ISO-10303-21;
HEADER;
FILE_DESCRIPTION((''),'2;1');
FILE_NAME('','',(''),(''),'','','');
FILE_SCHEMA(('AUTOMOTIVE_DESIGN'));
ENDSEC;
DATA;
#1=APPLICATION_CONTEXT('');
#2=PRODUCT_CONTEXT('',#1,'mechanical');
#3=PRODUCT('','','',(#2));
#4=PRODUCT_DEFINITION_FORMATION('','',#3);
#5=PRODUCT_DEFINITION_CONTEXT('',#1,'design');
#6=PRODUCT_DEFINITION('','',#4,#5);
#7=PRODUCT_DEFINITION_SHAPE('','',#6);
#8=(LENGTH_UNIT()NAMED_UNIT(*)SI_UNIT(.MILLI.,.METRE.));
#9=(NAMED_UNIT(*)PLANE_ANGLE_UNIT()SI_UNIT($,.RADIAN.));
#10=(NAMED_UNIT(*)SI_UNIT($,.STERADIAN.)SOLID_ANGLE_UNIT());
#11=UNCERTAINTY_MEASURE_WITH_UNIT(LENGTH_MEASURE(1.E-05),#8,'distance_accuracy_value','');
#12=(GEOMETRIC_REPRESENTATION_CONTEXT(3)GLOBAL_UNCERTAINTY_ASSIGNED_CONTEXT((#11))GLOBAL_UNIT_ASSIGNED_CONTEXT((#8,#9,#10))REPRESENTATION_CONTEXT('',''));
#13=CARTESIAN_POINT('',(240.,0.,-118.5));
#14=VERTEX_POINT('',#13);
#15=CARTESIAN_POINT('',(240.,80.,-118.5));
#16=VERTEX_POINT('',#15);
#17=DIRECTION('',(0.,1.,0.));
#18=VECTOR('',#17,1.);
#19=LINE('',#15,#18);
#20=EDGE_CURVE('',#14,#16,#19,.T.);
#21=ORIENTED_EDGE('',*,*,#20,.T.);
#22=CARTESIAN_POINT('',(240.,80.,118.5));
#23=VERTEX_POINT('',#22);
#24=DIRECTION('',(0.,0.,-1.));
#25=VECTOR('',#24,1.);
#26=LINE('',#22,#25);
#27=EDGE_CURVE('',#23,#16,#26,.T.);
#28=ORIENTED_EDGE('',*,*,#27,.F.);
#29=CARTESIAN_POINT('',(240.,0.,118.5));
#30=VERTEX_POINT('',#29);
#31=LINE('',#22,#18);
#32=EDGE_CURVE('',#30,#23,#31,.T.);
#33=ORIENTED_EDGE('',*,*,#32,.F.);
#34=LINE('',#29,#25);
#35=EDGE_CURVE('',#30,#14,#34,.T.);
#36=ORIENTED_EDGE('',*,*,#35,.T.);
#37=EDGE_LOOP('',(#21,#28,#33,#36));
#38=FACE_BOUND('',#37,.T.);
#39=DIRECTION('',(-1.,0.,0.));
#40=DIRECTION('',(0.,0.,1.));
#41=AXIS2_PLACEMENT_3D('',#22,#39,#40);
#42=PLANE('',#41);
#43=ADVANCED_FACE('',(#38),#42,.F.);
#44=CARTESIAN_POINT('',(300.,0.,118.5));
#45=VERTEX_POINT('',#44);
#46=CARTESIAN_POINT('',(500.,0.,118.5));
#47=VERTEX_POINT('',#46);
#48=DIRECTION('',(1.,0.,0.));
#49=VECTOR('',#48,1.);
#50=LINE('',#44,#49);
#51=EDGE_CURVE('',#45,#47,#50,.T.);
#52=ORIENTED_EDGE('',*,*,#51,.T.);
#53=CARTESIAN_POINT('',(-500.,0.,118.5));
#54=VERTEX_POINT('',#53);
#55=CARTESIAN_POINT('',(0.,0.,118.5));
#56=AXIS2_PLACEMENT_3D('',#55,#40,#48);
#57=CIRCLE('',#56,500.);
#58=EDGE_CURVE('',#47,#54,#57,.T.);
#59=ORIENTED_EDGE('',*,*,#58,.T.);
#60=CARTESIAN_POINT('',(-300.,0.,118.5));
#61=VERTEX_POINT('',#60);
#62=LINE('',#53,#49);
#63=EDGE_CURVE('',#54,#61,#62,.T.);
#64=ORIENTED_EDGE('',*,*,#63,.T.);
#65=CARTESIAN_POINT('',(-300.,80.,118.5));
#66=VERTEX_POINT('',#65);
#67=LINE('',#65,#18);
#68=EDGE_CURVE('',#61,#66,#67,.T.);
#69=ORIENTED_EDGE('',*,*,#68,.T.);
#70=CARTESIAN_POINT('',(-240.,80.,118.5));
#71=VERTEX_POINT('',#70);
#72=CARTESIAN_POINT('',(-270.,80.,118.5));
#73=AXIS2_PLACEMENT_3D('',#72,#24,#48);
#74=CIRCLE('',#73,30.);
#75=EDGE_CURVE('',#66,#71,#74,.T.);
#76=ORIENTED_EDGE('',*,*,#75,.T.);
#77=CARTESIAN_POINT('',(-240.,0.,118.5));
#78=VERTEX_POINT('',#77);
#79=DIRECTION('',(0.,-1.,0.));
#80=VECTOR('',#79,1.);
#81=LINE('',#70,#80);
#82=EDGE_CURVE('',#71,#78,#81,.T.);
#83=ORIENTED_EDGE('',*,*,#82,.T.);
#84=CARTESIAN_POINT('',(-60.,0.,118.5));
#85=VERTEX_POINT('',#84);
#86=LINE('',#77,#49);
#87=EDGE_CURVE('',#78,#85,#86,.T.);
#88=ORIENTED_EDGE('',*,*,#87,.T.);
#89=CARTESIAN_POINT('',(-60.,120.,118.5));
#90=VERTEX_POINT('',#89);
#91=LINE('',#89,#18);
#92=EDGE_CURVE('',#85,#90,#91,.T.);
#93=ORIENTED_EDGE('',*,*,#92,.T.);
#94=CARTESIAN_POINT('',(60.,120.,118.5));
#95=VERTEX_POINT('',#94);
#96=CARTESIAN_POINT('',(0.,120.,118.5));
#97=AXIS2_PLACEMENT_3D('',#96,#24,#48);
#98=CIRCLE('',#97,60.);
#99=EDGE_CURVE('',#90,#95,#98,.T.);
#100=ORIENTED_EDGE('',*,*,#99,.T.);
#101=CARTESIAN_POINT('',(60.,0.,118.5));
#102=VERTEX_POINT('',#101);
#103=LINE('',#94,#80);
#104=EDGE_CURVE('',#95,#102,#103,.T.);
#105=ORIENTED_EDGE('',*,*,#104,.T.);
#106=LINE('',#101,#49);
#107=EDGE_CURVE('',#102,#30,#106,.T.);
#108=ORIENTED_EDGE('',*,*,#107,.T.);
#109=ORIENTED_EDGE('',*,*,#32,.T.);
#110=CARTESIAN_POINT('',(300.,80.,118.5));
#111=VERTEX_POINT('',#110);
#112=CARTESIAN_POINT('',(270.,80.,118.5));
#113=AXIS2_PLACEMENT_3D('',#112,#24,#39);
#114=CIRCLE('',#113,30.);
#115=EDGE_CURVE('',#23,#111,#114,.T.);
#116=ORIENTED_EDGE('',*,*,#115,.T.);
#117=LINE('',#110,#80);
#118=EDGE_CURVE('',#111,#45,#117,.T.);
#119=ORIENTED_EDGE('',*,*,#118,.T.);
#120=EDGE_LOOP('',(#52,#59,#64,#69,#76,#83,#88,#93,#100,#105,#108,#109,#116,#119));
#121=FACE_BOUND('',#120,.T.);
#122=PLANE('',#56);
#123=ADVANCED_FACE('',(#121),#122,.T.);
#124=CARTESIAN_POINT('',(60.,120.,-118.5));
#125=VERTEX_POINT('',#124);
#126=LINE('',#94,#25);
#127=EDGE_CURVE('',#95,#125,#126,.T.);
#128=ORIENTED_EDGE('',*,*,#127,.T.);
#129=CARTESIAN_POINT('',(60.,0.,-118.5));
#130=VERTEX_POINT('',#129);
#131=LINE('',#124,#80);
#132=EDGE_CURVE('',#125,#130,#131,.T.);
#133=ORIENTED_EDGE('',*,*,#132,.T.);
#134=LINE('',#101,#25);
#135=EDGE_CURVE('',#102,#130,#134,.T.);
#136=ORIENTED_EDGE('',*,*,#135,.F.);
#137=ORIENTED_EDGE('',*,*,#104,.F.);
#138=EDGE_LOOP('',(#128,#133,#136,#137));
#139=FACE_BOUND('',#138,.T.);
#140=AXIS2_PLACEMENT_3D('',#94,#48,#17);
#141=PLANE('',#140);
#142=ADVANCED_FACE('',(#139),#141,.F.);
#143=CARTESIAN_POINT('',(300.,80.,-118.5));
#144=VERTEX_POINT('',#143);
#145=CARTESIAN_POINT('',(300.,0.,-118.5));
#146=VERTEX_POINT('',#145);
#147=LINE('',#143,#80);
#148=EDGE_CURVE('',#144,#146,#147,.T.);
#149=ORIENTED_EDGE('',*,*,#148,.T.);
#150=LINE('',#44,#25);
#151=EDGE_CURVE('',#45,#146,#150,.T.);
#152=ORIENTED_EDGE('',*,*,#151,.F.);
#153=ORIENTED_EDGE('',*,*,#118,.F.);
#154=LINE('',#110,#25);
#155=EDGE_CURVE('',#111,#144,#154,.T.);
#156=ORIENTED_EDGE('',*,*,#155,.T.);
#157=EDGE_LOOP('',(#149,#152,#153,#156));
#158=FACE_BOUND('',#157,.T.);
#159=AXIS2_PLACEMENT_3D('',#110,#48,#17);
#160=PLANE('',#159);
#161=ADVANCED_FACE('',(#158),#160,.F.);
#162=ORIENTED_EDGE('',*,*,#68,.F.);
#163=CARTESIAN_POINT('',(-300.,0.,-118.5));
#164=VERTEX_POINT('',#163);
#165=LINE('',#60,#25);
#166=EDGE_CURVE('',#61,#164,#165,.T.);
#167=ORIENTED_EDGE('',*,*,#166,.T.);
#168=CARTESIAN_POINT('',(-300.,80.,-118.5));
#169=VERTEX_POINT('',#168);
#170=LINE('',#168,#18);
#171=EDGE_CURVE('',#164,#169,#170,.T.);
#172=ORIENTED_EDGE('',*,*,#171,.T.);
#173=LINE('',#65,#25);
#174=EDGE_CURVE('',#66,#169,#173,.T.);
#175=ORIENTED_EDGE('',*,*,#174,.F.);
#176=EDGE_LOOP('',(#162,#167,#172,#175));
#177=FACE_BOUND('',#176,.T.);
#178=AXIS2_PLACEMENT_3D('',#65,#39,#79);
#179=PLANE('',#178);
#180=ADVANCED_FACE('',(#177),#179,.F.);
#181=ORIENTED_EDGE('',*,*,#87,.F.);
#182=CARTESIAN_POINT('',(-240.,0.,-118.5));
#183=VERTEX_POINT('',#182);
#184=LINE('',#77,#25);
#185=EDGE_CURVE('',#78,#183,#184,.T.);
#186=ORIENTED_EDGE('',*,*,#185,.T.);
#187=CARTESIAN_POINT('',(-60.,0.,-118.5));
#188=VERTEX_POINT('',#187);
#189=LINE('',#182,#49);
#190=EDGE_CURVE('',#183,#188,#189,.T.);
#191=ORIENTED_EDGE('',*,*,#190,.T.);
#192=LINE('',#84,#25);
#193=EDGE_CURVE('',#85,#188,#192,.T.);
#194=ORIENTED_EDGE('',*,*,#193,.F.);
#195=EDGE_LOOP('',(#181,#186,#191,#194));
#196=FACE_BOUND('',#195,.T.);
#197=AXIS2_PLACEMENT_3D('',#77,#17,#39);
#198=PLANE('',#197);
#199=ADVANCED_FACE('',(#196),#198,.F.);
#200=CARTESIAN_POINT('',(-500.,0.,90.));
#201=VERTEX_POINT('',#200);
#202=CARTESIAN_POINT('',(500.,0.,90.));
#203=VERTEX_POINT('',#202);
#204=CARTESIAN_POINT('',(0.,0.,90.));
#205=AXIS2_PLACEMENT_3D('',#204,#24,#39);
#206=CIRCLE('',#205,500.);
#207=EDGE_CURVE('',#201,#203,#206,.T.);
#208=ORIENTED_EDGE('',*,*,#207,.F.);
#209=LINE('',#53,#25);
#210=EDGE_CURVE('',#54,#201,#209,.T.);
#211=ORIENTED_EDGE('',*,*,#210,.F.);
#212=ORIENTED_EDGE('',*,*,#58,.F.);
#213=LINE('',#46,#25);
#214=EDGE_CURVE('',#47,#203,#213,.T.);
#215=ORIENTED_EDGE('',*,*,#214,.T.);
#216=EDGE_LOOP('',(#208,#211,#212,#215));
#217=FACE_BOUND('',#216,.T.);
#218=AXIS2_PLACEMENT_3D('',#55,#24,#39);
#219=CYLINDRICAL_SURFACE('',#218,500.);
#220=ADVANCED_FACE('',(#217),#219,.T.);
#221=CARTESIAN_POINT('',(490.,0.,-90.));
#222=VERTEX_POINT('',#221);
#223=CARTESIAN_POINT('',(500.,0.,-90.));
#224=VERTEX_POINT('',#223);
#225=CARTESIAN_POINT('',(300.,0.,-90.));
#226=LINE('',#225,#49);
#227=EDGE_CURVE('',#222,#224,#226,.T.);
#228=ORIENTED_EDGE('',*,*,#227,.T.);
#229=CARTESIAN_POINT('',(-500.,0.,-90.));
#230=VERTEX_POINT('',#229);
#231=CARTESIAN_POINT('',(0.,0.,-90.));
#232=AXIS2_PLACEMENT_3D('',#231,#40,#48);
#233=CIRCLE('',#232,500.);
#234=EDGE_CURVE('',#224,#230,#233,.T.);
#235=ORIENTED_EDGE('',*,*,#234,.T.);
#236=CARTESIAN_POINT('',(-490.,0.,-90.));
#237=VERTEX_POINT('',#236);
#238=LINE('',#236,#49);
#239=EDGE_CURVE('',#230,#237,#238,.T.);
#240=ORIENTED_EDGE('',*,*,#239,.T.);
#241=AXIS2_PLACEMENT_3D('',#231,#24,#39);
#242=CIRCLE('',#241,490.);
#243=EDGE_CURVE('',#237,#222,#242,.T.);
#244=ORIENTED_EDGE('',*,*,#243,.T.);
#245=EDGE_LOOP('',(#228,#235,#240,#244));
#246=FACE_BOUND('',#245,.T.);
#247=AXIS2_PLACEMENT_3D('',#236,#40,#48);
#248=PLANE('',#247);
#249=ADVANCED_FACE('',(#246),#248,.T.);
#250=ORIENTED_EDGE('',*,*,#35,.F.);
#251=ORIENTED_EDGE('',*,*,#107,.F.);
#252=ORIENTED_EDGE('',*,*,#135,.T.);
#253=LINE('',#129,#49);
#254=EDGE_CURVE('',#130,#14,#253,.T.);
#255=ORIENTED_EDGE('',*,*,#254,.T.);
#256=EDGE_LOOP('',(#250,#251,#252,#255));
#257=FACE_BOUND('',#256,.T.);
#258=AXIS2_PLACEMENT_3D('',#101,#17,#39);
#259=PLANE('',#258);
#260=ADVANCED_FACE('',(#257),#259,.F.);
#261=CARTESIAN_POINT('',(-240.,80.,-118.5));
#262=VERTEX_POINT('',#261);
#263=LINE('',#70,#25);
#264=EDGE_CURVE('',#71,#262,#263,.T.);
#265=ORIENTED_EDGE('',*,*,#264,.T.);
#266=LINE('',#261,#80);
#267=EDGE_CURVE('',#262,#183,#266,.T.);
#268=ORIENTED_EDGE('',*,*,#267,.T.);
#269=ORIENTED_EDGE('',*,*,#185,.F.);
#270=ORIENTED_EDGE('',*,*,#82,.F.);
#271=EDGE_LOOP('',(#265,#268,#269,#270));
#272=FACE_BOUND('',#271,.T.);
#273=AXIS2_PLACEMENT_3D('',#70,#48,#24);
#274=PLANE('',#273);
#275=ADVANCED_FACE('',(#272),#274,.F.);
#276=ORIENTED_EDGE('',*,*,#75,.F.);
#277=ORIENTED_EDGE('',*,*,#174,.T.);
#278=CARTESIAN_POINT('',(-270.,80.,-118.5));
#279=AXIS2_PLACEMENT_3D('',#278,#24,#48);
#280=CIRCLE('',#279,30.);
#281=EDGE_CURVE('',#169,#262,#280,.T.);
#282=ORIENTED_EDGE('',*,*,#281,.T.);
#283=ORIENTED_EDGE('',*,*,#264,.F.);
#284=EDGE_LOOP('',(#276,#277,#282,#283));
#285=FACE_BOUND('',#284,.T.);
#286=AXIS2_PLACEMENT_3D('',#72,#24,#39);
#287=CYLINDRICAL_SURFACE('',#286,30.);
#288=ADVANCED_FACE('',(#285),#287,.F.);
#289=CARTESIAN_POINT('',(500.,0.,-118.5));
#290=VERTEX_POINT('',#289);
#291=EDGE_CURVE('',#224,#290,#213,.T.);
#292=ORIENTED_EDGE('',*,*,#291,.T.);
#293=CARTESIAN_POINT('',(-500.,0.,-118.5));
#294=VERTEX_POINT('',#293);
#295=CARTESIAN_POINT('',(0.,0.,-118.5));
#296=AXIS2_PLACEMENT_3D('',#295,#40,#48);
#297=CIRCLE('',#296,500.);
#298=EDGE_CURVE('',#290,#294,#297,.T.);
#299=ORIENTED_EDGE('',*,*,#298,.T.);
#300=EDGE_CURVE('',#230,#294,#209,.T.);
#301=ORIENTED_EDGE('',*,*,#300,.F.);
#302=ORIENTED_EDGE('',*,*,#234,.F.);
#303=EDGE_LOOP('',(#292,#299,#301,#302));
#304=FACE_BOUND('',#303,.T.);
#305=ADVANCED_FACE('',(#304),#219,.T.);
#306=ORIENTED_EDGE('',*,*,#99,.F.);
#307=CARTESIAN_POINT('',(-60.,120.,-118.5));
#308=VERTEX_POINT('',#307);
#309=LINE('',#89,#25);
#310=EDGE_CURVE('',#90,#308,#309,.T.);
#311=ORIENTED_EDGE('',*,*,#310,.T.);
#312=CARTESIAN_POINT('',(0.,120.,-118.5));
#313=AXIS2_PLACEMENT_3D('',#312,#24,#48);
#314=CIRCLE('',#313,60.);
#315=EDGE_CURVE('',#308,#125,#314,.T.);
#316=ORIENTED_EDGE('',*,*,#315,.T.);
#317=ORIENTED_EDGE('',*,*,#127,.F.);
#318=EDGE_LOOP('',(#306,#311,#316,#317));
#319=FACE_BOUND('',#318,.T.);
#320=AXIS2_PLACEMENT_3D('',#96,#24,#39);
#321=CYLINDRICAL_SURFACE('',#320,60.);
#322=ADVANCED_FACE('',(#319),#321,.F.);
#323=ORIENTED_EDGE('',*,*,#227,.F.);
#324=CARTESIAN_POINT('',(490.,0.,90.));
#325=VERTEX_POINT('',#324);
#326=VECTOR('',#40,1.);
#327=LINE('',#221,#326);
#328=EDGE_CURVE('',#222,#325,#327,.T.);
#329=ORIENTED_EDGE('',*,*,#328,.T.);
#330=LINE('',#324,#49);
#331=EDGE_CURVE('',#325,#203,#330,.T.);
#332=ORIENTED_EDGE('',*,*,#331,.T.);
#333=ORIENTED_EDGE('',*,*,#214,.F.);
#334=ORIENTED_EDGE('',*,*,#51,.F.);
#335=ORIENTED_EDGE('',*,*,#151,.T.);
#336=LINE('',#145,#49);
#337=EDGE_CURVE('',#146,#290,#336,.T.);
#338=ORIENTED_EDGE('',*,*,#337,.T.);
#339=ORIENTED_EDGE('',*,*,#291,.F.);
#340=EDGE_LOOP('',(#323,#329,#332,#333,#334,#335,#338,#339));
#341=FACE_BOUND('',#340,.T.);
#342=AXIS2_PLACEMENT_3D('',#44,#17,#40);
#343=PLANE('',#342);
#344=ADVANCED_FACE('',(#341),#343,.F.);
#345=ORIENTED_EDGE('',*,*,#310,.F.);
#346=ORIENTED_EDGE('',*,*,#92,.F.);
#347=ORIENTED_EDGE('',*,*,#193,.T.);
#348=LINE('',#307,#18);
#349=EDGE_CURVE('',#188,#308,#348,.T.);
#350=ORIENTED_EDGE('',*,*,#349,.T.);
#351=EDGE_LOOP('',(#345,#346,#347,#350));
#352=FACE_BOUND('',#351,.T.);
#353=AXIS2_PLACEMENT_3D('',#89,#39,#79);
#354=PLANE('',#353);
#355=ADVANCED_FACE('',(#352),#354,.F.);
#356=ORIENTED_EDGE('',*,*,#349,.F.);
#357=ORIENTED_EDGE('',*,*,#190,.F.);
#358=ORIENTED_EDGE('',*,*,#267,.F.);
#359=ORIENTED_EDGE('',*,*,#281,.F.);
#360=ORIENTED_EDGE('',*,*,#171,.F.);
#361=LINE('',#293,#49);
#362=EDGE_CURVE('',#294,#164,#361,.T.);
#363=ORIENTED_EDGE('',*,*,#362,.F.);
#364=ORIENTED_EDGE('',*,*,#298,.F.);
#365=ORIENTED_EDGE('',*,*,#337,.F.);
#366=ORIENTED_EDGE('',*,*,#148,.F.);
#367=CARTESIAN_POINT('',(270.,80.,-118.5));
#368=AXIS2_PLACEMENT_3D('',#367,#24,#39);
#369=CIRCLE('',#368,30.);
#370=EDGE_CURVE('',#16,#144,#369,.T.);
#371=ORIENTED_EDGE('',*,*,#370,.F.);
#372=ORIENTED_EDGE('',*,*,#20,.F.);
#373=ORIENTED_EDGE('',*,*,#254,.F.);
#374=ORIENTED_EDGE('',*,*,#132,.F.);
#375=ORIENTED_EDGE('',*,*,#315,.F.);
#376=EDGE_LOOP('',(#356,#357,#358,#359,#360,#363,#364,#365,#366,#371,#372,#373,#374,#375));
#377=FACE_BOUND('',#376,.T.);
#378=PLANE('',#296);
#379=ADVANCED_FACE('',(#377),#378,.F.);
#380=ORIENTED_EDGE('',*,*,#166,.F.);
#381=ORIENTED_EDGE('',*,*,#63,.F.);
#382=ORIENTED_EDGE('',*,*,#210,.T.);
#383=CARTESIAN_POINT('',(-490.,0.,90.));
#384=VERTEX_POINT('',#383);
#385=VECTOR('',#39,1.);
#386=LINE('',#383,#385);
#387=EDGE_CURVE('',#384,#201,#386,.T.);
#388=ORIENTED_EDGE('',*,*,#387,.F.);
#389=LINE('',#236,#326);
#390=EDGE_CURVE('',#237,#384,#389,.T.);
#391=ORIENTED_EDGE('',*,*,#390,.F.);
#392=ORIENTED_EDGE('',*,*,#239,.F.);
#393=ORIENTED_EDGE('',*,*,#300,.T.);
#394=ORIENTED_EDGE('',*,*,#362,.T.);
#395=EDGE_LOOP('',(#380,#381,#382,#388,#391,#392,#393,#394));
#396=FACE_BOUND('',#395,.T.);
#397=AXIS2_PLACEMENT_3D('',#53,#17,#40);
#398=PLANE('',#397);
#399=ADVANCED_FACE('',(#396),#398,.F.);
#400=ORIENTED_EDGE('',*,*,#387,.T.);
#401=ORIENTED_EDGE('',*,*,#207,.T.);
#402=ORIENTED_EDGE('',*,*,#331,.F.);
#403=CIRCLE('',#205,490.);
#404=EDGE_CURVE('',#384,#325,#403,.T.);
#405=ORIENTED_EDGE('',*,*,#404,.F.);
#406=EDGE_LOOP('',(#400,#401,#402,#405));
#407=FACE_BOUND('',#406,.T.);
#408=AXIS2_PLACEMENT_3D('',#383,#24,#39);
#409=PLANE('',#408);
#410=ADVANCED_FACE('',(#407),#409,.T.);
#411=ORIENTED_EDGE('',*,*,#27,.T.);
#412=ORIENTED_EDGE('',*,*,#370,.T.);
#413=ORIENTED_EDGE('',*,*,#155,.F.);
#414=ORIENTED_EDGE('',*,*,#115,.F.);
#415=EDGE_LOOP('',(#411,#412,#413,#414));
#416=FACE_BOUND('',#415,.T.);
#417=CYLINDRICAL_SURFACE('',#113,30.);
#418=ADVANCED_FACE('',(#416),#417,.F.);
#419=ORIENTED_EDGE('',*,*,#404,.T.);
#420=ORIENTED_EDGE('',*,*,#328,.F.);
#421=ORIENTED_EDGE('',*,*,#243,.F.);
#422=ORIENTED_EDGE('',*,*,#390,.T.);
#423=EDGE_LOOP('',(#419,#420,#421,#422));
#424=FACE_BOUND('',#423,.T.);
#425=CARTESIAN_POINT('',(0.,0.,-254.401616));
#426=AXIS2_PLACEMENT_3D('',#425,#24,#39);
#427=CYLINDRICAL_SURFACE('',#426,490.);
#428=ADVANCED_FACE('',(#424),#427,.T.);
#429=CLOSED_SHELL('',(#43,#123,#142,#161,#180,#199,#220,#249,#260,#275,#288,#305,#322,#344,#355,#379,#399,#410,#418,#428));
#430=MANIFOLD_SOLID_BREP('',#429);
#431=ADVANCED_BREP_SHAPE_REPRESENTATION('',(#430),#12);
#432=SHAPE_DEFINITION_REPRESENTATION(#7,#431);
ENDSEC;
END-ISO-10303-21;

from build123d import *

# Parameters (mm, degrees)
EXTRUDE_1_DEPTH     = 118.5
SKETCH_2_W          = 20
SKETCH_2_H          = 180
CUT_REVOLVE_1_ANGLE = 180


with BuildPart() as part:
    # 草图1 → 凸台-拉伸1 (new, symmetric)
    with BuildSketch(Plane.XY):
        with BuildLine():
            Line((-500, 0), (-300, 0))
            Line((-300, 0), (-300, 80))
            ThreePointArc((-300, 80), (-270, 110), (-240, 80))
            Line((-240, 80), (-240, 0))
            Line((-240, 0), (-60, 0))
            Line((-60, 0), (-60, 120))
            ThreePointArc((-60, 120), (0, 180), (60, 120))
            Line((60, 120), (60, 0))
            Line((60, 0), (240, 0))
            Line((240, 0), (240, 80))
            ThreePointArc((240, 80), (270, 110), (300, 80))
            Line((300, 80), (300, 0))
            Line((300, 0), (500, 0))
            ThreePointArc((500, 0), (0, 500), (-500, 0))
        make_face()
    extrude(amount=EXTRUDE_1_DEPTH, both=True)

    # 草图2 → 切除-旋转1 (revolve, cut)
    with BuildSketch(Plane(origin=(0, 0, 0), x_dir=(1, 0, 0), z_dir=(0, 1, 0))):
        with Locations((500, 0)):
            Rectangle(SKETCH_2_W, SKETCH_2_H)
    revolve(axis=Axis((0, 0, -254.401615848), (0, 0, 1)), revolution_arc=CUT_REVOLVE_1_ANGLE, mode=Mode.SUBTRACT)


solid = part.part
